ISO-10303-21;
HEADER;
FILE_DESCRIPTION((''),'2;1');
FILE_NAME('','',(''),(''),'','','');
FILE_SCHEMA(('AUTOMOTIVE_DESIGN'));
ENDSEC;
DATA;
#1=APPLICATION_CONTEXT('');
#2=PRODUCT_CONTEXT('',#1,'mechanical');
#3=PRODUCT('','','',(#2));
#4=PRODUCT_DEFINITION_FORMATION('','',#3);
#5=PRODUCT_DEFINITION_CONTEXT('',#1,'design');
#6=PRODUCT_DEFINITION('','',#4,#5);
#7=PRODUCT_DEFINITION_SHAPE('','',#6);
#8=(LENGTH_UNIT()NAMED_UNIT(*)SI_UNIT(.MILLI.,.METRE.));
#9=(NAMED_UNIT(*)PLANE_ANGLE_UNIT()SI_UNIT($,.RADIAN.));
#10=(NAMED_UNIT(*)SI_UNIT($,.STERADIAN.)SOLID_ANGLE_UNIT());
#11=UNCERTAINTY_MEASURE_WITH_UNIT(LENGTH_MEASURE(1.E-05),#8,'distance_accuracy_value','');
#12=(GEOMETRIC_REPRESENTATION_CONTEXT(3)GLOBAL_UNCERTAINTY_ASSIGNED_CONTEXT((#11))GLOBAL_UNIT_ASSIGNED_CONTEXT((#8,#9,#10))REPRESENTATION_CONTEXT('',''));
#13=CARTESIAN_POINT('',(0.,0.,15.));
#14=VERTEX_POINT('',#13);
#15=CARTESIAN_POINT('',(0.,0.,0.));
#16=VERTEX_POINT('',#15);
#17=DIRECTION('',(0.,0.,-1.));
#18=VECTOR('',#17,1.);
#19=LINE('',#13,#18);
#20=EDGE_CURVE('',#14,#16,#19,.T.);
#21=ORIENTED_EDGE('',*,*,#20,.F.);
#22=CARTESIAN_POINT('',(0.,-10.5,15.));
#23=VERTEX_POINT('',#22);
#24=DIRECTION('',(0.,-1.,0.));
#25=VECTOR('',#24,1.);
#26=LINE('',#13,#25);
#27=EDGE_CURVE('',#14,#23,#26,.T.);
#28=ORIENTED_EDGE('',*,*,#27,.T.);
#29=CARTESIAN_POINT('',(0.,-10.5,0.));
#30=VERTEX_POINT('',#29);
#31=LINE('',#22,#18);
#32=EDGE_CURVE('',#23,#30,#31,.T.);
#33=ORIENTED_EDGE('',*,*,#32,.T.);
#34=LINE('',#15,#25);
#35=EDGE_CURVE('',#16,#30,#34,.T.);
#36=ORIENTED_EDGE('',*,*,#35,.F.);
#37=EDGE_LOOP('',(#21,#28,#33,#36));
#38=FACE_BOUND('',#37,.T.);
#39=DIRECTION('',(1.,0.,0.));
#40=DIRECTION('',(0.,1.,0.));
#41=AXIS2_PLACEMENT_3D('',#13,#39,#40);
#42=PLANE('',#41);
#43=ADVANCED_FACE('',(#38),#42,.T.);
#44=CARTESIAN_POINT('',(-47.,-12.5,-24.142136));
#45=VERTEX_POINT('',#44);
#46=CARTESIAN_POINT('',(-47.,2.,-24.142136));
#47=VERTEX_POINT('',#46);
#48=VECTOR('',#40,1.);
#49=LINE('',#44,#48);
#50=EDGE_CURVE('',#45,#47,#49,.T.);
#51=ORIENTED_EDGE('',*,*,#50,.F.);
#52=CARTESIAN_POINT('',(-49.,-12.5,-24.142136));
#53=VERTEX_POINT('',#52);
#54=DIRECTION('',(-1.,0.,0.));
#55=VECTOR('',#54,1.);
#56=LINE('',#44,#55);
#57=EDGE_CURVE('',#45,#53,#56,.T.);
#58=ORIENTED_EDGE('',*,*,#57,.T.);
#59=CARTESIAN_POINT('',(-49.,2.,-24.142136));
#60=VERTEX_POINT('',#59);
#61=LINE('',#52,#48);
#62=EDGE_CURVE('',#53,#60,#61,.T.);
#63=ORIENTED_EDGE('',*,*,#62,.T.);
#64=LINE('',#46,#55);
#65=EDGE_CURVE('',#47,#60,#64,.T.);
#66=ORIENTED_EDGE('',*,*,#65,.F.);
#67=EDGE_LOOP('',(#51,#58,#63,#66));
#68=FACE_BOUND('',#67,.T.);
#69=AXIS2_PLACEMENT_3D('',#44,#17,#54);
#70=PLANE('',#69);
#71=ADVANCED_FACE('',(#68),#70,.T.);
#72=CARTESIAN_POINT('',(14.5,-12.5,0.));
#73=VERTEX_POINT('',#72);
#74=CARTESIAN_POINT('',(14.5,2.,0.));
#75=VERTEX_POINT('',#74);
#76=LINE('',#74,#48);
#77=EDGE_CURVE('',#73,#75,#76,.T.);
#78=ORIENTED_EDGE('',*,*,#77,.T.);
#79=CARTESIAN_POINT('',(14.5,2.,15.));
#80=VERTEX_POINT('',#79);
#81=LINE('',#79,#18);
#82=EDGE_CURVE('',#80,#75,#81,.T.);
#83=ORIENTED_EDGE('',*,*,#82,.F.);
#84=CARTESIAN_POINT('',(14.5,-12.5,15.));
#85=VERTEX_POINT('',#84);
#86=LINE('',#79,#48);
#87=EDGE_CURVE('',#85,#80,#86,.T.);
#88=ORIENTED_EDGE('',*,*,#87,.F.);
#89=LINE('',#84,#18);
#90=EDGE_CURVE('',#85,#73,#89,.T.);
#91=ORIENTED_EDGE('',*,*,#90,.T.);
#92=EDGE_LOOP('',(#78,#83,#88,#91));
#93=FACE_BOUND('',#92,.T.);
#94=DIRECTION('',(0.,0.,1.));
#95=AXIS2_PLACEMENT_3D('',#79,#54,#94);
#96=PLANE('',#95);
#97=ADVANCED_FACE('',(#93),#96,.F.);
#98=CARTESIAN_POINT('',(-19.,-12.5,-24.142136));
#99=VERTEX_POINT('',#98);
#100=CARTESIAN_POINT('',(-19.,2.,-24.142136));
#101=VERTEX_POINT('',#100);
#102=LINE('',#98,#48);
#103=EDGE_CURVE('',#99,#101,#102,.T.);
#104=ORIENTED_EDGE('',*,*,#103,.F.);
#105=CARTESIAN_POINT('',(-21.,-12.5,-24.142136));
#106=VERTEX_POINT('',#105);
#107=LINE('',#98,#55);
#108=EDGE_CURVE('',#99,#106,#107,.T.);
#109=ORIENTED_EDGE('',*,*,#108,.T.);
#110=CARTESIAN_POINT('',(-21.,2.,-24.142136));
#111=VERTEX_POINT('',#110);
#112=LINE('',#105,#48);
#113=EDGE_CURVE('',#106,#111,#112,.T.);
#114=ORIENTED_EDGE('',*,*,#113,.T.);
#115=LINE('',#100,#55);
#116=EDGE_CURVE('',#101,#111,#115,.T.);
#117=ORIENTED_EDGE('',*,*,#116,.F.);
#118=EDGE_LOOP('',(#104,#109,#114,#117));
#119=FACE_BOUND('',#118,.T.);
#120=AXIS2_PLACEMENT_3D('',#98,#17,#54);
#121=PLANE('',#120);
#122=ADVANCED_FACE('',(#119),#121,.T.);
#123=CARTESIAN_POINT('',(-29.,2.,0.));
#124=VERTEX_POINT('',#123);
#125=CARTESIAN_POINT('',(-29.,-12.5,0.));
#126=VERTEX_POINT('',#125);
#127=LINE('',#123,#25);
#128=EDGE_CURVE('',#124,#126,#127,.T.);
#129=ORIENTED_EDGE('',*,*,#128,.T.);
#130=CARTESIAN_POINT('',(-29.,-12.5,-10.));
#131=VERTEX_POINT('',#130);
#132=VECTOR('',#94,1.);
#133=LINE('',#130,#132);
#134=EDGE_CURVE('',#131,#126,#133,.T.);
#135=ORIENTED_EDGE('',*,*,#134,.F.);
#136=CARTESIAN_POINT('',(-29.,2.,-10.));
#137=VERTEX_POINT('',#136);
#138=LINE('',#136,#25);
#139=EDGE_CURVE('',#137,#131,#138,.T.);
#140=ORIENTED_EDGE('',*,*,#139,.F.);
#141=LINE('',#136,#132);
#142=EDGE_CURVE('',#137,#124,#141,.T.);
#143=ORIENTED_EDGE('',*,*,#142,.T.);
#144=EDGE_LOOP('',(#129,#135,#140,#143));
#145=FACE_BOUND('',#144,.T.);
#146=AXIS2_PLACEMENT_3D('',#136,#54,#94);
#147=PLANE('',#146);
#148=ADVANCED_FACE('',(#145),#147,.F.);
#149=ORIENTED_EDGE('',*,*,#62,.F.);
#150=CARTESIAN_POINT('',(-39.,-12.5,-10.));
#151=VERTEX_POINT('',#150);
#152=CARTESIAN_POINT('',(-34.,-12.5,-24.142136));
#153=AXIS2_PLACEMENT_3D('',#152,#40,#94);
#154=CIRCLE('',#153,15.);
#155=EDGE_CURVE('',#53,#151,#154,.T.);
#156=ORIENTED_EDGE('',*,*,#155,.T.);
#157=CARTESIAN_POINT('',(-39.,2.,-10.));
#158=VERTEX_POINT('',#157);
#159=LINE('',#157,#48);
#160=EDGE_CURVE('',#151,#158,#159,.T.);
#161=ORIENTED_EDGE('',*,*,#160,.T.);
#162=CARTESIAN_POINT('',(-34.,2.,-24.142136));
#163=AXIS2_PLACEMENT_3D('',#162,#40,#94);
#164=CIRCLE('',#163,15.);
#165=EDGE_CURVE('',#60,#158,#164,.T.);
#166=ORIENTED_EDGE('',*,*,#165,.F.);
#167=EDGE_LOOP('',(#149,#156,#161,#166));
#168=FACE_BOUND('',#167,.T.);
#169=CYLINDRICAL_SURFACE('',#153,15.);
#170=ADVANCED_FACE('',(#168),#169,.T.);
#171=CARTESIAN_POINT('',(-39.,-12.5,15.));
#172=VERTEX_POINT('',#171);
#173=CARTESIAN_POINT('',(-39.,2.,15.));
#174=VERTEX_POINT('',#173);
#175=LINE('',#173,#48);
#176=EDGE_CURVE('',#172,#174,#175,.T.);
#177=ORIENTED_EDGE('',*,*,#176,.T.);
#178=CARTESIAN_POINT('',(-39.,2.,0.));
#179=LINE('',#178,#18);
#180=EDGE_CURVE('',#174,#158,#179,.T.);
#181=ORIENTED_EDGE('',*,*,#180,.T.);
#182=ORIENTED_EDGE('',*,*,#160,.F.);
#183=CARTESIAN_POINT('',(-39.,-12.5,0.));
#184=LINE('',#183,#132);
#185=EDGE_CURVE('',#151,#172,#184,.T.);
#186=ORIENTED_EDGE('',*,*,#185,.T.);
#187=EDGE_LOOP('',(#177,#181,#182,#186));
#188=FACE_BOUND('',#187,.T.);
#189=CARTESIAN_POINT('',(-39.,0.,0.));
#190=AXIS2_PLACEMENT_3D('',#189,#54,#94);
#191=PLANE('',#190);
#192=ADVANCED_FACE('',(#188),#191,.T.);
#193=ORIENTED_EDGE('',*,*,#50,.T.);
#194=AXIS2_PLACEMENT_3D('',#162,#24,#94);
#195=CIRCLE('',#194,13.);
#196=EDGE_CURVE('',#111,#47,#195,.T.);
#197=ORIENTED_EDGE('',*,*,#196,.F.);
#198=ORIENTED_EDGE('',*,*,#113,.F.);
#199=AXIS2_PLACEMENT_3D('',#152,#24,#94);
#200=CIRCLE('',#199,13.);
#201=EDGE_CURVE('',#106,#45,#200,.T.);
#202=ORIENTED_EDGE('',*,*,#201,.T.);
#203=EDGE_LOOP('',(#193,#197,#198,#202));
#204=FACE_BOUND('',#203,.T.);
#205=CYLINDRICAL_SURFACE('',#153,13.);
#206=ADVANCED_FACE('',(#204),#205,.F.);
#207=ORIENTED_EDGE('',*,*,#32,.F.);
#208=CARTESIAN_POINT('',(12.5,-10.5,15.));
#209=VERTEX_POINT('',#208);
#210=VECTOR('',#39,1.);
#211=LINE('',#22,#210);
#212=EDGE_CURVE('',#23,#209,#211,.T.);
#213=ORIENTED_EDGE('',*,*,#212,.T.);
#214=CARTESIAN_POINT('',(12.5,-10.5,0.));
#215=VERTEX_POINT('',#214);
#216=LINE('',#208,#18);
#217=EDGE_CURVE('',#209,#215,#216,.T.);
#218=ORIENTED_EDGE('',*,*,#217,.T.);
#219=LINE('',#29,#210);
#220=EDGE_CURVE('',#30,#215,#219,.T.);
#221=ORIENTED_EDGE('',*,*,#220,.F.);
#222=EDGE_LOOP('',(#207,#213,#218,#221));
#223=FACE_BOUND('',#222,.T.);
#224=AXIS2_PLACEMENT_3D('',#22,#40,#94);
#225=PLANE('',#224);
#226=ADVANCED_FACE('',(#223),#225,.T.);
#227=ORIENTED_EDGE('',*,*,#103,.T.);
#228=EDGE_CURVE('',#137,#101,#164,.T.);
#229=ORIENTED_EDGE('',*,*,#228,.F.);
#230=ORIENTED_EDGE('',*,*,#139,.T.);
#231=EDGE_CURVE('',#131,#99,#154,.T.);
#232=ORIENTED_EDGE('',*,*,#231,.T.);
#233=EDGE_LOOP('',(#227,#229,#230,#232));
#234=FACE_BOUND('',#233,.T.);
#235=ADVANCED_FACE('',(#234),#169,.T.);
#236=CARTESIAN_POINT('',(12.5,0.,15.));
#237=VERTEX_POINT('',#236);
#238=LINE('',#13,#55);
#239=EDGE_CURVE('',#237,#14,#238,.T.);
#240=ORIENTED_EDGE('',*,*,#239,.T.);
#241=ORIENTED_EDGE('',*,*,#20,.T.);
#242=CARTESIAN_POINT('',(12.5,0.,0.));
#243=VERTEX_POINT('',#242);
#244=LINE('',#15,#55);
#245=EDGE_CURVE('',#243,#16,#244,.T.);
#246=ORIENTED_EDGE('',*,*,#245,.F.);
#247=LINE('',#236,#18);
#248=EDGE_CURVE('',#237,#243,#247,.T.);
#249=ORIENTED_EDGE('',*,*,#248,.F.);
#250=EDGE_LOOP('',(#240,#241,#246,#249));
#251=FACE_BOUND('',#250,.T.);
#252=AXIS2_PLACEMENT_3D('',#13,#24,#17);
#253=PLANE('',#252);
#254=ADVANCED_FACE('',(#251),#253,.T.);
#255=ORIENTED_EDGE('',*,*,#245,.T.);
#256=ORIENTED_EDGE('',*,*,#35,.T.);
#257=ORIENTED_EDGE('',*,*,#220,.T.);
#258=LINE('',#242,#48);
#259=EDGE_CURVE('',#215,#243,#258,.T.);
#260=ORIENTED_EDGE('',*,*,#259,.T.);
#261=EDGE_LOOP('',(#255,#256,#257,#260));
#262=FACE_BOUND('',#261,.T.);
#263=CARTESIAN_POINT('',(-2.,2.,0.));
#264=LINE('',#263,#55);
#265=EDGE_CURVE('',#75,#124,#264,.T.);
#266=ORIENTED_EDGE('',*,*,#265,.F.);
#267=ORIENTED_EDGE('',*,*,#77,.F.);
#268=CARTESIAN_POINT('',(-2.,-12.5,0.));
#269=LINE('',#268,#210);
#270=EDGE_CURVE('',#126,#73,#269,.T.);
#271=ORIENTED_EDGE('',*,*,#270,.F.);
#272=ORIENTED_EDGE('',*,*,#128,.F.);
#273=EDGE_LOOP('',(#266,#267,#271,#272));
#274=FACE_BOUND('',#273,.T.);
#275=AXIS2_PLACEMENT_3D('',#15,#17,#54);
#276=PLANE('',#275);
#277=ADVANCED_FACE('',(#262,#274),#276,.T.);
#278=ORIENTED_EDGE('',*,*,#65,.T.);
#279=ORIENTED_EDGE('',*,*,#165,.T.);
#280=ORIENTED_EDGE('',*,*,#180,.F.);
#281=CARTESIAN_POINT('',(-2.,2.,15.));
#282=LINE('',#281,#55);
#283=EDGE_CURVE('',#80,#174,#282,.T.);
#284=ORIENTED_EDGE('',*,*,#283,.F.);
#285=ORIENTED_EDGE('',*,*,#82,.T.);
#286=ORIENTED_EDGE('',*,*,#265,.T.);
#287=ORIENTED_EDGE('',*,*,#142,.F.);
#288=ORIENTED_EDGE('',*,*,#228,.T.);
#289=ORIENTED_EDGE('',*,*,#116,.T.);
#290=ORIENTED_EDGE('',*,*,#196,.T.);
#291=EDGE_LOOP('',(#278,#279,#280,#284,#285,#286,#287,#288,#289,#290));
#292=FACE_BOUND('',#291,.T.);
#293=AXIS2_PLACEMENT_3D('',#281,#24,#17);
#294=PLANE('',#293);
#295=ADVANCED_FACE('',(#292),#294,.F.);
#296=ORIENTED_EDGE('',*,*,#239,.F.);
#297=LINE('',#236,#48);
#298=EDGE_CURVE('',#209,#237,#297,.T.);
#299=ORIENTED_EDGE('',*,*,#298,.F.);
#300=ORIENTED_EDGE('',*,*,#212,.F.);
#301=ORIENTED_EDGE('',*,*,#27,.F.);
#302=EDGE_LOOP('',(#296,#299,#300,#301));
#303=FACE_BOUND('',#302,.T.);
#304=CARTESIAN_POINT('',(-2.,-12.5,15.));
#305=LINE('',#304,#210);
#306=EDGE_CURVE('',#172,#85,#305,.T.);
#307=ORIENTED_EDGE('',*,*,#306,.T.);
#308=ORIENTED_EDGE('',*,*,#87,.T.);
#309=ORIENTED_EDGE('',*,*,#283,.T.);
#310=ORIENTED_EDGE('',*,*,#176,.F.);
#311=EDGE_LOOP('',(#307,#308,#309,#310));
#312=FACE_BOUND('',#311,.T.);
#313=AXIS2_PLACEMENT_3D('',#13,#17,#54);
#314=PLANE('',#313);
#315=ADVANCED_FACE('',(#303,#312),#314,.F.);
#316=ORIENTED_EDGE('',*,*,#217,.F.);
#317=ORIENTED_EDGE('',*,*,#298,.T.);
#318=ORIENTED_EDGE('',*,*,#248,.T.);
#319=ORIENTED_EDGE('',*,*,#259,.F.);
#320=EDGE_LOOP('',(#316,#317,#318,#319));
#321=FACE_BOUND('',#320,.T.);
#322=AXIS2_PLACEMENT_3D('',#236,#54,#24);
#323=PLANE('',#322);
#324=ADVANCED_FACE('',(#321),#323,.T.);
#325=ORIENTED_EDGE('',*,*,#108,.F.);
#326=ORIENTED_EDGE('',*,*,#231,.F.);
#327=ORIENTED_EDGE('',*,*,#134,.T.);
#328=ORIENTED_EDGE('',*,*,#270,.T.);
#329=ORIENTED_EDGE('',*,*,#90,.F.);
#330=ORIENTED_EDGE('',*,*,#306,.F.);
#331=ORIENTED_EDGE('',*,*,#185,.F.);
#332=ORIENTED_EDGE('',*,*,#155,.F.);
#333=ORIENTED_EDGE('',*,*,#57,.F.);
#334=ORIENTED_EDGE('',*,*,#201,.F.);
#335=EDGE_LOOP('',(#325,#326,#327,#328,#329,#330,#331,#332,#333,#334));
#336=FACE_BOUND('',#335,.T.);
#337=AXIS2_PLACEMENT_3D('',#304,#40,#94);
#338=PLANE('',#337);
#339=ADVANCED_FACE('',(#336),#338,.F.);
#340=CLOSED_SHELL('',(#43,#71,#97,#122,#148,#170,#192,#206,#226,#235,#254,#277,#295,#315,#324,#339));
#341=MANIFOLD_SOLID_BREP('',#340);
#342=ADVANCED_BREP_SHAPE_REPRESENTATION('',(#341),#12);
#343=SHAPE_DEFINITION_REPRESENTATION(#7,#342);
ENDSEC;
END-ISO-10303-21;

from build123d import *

# Parameters (mm, degrees)
SKETCH1_W           = 16.5
SKETCH1_H           = 14.5
SKETCH1_W_2         = 12.5
SKETCH1_H_2         = 10.5
BOSS_EXTRUDE1_DEPTH = 15
SKETCH2_W           = 15
SKETCH2_H           = 14.5
BOSS_EXTRUDE2_DEPTH = 37
SKETCH3_W           = 10
SKETCH3_H           = 14.5
BOSS_EXTRUDE3_DEPTH = 10
BOSS_EXTRUDE4_DEPTH = 14.5


with BuildPart() as part:
    # Sketch1 → Boss-Extrude1 (new body)
    with BuildSketch(Plane.XY):
        with Locations((6.25, -5.25)):
            Rectangle(SKETCH1_W, SKETCH1_H)
        with Locations((6.25, -5.25)):
            Rectangle(SKETCH1_W_2, SKETCH1_H_2, mode=Mode.SUBTRACT)
    extrude(amount=BOSS_EXTRUDE1_DEPTH)

    # Sketch2 → Boss-Extrude2 (add)
    with BuildSketch(Plane.ZY.offset(2)):
        with Locations((7.5, -5.25)):
            Rectangle(SKETCH2_W, SKETCH2_H)
    extrude(amount=BOSS_EXTRUDE2_DEPTH)

    # Sketch3 → Boss-Extrude3 (add)
    with BuildSketch(Plane(origin=(0, 0, 0), x_dir=(-1, 0, 0), z_dir=(0, 0, -1))):
        with Locations((34, -5.25)):
            Rectangle(SKETCH3_W, SKETCH3_H)
    extrude(amount=BOSS_EXTRUDE3_DEPTH)

    # Sketch4 → Boss-Extrude4 (add)
    with BuildSketch(Plane(origin=(0, 2, 0), x_dir=(1, 0, 0), z_dir=(0, 1, 0))):
        with BuildLine():
            Line((-19, 24.142135624), (-21, 24.142135624))
            ThreePointArc((-21, 24.142135624), (-34, 11.142135624), (-47, 24.142135624))
            Line((-47, 24.142135624), (-49, 24.142135624))
            ThreePointArc((-49, 24.142135624), (-34, 9.142135624), (-19, 24.142135624))
        make_face()
    extrude(amount=-BOSS_EXTRUDE4_DEPTH)


solid = part.part
